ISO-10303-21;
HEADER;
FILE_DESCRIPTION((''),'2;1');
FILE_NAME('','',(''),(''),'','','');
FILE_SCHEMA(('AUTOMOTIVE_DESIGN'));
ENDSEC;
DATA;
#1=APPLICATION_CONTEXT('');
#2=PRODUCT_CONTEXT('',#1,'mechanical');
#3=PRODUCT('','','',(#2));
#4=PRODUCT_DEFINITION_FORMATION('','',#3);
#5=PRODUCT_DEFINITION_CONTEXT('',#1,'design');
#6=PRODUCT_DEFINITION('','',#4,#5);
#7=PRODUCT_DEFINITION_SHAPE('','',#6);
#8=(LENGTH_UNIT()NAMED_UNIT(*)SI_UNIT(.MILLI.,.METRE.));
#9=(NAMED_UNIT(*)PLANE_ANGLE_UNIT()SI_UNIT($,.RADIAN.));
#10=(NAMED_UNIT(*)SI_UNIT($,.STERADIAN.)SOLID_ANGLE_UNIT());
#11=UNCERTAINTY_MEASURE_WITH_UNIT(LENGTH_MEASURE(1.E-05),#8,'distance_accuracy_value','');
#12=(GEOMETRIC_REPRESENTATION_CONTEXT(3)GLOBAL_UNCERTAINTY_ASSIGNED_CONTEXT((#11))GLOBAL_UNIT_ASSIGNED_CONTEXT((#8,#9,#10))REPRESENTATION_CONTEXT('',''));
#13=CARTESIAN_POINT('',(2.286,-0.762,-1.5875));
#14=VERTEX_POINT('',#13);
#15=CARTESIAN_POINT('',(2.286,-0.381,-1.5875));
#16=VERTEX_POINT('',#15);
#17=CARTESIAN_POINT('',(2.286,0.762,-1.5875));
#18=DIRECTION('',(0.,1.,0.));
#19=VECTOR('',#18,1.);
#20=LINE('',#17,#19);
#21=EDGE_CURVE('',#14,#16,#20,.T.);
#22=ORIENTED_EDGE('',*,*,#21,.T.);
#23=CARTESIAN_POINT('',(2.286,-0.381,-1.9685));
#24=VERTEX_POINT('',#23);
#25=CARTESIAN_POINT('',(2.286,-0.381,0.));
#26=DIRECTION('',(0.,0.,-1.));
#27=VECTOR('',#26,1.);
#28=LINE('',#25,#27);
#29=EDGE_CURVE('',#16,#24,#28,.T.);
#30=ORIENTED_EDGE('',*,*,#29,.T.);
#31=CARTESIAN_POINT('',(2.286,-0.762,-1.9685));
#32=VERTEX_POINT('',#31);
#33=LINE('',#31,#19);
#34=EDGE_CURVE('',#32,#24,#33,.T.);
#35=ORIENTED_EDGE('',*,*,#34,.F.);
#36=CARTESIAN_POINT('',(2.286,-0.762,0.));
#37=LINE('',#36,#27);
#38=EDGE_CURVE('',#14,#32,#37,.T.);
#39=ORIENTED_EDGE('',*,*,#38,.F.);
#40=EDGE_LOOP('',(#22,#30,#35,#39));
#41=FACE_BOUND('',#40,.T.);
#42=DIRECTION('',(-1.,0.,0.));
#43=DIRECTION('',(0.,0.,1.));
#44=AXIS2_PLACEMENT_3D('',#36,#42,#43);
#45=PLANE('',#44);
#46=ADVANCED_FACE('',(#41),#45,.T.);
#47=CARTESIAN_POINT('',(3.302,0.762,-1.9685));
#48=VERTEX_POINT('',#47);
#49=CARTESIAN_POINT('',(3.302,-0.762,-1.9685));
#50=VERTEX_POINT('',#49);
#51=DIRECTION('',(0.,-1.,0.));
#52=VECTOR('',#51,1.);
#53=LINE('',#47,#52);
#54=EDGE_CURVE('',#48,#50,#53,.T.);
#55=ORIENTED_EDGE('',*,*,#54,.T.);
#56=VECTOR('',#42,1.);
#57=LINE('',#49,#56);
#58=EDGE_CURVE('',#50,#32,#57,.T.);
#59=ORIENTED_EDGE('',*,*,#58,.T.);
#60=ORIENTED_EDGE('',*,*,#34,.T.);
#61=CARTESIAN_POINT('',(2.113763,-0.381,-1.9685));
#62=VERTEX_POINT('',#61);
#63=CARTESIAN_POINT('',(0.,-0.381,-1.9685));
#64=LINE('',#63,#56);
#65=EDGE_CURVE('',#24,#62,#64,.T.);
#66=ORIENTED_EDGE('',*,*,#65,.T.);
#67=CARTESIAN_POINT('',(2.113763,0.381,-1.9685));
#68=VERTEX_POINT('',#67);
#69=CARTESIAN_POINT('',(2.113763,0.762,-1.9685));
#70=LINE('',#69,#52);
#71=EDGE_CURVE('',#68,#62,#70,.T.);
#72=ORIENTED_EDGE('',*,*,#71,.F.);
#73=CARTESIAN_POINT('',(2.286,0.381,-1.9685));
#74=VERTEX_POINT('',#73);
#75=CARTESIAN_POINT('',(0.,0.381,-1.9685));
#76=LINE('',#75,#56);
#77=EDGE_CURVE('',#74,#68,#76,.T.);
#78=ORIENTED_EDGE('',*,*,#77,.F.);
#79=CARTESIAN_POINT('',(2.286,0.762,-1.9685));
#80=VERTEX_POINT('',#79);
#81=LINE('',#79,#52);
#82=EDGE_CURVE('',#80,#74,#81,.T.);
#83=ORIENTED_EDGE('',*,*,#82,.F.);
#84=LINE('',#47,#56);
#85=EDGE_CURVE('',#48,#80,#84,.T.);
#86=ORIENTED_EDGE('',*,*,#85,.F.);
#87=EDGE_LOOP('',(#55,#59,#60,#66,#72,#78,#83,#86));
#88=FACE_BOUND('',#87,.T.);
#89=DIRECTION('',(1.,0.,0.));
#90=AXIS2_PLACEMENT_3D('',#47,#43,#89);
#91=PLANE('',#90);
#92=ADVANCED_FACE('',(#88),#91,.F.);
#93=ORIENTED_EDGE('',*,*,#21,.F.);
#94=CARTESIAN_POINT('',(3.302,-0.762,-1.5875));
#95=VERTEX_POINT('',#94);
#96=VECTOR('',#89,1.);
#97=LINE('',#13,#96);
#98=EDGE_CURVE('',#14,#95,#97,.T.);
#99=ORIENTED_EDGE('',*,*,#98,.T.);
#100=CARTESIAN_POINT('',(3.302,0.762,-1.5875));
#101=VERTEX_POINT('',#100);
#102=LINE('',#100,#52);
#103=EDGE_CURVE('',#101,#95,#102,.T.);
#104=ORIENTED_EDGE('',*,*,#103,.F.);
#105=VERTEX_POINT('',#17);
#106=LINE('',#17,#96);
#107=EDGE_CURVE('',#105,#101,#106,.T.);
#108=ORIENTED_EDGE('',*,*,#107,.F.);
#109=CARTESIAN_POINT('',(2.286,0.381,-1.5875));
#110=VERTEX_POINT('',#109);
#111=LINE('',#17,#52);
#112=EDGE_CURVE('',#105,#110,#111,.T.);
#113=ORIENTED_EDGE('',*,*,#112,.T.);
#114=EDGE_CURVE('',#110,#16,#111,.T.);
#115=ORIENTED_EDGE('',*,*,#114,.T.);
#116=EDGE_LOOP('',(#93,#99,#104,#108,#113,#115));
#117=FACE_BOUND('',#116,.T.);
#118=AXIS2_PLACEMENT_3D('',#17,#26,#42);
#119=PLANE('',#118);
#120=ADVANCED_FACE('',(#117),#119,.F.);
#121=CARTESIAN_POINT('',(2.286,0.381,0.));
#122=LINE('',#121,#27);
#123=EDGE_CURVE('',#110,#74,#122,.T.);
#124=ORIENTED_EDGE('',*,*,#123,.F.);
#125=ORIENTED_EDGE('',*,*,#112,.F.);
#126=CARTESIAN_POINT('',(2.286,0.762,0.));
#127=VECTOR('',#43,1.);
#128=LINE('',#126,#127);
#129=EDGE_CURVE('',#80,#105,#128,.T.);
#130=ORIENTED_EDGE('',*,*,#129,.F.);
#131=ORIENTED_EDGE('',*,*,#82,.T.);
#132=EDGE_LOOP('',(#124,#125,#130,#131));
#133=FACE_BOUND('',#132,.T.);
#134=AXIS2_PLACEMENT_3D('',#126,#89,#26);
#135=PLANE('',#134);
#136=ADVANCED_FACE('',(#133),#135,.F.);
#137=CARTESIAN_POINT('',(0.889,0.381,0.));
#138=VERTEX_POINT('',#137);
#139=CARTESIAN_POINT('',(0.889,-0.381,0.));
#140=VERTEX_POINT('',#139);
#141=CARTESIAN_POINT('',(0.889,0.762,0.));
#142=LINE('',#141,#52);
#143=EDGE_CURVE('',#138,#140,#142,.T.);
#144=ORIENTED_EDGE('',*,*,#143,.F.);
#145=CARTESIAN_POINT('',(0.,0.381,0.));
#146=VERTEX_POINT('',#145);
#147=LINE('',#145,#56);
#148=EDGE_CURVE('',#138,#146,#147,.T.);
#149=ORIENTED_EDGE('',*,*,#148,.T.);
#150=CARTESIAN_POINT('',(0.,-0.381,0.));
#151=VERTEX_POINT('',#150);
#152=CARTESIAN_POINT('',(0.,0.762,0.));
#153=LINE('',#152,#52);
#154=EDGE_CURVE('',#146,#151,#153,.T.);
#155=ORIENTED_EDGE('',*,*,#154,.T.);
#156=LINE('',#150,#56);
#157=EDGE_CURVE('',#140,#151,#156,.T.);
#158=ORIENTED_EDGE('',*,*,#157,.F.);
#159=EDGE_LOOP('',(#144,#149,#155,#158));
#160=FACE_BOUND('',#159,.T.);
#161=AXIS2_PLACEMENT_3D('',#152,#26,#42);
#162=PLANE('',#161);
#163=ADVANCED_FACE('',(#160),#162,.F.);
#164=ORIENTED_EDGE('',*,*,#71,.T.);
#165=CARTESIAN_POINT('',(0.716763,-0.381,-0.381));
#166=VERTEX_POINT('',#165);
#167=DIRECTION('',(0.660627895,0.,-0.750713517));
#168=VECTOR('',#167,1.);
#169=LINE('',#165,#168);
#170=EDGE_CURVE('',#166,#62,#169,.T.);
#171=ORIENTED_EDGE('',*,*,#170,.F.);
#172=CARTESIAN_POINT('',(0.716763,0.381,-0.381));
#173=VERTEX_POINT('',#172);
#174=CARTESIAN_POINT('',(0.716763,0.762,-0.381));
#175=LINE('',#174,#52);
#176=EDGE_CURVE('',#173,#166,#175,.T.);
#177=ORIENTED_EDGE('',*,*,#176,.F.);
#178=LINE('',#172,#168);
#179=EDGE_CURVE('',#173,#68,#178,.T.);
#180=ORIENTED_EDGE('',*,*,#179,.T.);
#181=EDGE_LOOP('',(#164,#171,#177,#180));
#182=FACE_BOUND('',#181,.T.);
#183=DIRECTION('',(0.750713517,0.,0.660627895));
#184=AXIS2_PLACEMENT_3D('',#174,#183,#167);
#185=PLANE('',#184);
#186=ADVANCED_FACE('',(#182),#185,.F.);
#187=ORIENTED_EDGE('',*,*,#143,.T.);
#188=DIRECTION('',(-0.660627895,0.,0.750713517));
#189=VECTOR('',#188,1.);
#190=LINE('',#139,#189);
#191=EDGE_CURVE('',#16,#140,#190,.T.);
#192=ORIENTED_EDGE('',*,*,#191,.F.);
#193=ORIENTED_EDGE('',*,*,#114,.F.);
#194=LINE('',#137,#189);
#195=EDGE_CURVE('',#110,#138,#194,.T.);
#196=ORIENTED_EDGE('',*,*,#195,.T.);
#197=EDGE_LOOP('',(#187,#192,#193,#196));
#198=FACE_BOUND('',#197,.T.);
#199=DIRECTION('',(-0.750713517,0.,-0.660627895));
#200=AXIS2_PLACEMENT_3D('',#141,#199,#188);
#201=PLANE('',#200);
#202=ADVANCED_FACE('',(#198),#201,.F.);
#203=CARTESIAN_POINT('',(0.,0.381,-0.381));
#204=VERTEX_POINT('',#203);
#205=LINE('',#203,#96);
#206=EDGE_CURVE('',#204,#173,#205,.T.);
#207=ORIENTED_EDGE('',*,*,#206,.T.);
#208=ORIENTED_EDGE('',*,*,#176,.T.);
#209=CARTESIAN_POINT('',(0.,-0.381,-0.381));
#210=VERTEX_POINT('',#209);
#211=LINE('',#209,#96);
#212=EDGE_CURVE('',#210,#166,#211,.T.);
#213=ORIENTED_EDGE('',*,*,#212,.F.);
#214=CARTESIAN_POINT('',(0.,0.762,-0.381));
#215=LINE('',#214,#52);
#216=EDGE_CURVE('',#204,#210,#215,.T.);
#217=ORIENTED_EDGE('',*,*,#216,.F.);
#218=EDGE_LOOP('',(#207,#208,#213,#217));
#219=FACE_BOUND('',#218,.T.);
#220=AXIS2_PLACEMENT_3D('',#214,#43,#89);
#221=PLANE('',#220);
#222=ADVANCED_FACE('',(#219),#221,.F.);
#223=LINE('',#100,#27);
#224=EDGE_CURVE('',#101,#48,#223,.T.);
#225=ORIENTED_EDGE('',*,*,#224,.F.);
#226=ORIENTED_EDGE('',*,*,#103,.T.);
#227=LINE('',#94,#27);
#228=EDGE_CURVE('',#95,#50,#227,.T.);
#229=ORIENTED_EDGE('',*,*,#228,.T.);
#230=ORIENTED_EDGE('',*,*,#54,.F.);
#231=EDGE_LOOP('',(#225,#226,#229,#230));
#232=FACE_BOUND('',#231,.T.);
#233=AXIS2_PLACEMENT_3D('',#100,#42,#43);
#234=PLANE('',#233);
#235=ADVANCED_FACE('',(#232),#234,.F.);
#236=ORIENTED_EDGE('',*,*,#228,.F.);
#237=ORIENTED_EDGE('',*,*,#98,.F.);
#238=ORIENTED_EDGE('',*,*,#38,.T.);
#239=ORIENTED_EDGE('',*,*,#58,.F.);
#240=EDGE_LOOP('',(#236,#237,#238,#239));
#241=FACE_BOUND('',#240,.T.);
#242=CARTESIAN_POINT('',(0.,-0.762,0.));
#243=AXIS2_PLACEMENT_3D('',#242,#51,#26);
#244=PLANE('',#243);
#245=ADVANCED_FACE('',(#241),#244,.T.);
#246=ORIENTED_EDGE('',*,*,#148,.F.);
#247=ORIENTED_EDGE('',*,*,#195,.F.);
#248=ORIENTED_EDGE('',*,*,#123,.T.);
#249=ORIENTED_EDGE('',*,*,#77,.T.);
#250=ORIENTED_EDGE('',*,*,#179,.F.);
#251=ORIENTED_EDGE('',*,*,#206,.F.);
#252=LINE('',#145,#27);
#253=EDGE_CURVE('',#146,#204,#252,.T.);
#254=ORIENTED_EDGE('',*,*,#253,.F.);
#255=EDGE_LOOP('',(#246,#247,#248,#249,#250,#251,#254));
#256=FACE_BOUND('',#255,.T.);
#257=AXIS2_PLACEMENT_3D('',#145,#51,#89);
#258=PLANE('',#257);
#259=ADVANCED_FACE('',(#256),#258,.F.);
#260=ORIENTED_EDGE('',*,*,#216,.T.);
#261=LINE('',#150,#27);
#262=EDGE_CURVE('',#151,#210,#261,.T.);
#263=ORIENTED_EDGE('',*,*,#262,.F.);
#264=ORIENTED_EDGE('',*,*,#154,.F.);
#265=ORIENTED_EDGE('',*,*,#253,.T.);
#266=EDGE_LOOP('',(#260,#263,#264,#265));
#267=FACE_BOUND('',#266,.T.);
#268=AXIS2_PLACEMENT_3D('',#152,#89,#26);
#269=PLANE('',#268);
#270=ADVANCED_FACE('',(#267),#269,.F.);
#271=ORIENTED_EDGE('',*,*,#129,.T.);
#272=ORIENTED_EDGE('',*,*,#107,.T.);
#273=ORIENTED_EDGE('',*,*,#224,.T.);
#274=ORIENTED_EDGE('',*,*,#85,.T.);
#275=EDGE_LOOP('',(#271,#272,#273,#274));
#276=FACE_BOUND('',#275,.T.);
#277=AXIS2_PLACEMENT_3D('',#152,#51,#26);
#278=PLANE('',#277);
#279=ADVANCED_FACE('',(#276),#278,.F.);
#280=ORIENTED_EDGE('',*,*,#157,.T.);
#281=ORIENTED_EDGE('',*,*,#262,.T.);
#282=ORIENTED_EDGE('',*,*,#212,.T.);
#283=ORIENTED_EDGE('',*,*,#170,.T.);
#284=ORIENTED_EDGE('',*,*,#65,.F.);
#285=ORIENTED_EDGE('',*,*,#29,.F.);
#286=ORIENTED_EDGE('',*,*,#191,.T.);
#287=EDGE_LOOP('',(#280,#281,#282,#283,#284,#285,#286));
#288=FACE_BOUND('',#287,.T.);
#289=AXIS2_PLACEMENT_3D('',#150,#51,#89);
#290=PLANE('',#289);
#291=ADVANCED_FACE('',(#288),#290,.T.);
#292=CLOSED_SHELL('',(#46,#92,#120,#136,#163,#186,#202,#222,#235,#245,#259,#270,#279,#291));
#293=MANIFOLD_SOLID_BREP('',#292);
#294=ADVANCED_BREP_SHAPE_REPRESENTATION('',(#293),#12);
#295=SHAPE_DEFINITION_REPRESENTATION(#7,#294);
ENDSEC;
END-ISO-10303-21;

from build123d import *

# Parameters (mm, degrees)
BOSS_EXTRUDE1_DEPTH = 0.762
SKETCH2_W           = 2.286
SKETCH2_H           = 0.381
CUT_EXTRUDE1_DEPTH  = 2.9685


with BuildPart() as part:
    # Sketch1 → Boss-Extrude1 (new body, symmetric)
    with BuildSketch(Plane(origin=(0, 0, 0), x_dir=(1, 0, 0), z_dir=(0, 1, 0))):
        Polygon((0, 0), (0.889, 0), (2.286, 1.5875), (3.302, 1.5875), (3.302, 1.9685), (2.113762829, 1.9685), (0.716762829, 0.381), (0, 0.381), align=None)
    extrude(amount=BOSS_EXTRUDE1_DEPTH, both=True)

    # Sketch2 → Cut-Extrude1 (cut, through all)
    with BuildSketch(Plane(origin=(0, 0, -1.9685), x_dir=(-1, 0, 0), z_dir=(0, 0, -1))):
        with Locations((-1.143, 0.5715)):
            Rectangle(SKETCH2_W, SKETCH2_H)
    cut_extrude1 = extrude(amount=-CUT_EXTRUDE1_DEPTH, mode=Mode.SUBTRACT)

    # Mirror1: Cut-Extrude1 across plane
    add(cut_extrude1.mirror(Plane.ZX), mode=Mode.SUBTRACT)


solid = part.part
